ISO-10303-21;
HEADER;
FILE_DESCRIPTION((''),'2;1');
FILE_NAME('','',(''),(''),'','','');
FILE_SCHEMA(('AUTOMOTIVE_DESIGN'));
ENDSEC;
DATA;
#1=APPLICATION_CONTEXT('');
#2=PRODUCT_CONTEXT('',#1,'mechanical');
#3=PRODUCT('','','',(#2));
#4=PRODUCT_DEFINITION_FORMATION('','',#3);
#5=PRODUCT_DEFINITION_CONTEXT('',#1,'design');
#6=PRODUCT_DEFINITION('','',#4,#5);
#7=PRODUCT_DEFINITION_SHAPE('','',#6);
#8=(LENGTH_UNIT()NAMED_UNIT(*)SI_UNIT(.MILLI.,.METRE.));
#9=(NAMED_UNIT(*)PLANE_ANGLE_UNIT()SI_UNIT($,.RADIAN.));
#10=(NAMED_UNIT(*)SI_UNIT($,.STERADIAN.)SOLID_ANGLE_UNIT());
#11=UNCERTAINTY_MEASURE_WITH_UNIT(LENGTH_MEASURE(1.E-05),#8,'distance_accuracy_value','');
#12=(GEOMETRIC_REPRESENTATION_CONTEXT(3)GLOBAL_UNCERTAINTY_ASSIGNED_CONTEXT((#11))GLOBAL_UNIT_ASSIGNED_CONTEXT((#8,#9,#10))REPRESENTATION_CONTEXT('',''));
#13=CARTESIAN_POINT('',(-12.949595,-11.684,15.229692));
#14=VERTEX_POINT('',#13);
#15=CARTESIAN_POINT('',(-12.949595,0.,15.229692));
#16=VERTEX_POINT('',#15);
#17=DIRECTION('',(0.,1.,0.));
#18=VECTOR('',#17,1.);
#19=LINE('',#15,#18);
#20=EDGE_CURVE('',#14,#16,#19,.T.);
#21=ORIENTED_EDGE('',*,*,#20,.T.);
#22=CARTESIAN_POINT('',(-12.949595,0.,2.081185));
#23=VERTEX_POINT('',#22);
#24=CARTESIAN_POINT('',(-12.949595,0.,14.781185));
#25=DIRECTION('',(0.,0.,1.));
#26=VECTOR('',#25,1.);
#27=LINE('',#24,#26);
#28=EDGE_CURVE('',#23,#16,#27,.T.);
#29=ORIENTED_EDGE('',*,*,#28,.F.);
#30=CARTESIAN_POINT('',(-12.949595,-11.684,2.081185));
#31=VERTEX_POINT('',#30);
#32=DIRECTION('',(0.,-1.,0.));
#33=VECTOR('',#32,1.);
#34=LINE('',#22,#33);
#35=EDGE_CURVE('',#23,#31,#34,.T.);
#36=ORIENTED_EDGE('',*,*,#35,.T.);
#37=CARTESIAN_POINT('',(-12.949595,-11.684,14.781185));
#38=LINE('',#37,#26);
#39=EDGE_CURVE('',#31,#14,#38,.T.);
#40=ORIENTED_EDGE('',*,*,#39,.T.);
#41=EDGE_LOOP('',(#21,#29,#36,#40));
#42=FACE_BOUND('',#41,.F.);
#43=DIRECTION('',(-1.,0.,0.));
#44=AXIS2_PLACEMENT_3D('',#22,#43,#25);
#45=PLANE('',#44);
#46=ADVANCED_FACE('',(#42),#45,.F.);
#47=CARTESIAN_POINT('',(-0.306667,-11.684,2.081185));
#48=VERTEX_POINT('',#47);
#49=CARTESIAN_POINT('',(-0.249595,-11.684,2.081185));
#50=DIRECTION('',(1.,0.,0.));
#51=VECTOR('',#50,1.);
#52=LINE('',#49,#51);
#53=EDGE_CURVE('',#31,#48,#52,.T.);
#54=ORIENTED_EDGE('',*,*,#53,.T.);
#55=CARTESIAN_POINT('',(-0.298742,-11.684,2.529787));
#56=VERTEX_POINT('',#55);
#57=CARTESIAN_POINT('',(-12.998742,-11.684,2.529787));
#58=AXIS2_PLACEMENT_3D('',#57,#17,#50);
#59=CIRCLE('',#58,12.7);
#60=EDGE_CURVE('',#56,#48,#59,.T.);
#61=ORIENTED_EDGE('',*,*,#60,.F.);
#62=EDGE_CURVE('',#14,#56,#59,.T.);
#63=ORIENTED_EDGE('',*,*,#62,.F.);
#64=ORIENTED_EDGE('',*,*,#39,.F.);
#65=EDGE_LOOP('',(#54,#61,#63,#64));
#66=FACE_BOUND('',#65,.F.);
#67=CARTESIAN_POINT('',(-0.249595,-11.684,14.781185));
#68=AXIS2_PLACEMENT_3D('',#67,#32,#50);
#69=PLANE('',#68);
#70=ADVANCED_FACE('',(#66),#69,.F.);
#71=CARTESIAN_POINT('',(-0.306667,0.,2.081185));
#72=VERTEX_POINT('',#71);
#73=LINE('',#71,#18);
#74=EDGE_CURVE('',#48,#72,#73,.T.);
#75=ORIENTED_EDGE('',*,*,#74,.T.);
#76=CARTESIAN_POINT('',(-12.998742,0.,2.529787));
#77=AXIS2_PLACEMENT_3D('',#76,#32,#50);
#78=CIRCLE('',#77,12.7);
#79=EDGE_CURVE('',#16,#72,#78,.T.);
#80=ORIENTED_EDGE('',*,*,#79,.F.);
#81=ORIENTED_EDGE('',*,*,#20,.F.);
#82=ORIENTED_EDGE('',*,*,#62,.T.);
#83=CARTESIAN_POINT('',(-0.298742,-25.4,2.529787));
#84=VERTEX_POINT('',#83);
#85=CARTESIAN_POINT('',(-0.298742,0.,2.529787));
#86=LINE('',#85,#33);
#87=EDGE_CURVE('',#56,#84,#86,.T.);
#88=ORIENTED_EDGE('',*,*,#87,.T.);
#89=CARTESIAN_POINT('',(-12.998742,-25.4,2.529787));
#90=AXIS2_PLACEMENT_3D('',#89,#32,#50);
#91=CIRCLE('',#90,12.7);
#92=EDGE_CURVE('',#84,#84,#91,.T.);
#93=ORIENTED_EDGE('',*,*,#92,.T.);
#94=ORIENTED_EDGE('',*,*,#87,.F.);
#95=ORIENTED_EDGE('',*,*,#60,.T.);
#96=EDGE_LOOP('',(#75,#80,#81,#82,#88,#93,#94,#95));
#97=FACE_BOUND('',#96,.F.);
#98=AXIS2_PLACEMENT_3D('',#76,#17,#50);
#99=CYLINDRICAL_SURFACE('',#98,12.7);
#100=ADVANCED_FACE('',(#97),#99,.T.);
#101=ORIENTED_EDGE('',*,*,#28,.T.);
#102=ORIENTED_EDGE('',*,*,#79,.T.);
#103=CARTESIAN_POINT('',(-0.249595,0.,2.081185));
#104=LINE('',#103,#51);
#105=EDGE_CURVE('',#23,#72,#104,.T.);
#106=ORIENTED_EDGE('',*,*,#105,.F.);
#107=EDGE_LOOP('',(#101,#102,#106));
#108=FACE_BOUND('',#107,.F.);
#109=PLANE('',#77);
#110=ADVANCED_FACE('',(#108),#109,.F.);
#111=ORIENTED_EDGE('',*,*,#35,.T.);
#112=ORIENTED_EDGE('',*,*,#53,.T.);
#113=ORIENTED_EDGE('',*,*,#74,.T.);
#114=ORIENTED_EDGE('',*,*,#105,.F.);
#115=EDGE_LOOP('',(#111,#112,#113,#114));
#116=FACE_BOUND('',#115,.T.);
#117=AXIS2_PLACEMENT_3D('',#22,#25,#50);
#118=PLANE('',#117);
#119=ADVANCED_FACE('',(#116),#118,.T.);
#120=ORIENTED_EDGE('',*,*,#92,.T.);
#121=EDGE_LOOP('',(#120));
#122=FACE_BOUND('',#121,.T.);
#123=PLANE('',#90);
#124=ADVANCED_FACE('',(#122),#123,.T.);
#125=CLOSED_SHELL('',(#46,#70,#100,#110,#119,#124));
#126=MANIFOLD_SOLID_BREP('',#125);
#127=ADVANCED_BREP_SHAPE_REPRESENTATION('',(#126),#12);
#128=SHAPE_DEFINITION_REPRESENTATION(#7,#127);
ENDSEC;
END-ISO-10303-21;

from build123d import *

# Parameters (mm, degrees)
F1_R     = 12.7
F2_DEPTH = 25.4
F0_W     = 25.4
F0_H     = 25.4
F3_DEPTH = 11.684


with BuildPart() as f2:
    # F1 (on Front) → F2 (new body)
    with BuildSketch(Plane.XZ):
        with Locations((-12.998742, 2.529787)):
            Circle(F1_R)
    extrude(amount=F2_DEPTH)

    # F0 (on Front) → F3 (cut)
    with BuildSketch(Plane.XZ):
        with Locations((-0.249595, 14.781185)):
            Rectangle(F0_W, F0_H)
    extrude(amount=F3_DEPTH, mode=Mode.SUBTRACT)


solid = f2.part
